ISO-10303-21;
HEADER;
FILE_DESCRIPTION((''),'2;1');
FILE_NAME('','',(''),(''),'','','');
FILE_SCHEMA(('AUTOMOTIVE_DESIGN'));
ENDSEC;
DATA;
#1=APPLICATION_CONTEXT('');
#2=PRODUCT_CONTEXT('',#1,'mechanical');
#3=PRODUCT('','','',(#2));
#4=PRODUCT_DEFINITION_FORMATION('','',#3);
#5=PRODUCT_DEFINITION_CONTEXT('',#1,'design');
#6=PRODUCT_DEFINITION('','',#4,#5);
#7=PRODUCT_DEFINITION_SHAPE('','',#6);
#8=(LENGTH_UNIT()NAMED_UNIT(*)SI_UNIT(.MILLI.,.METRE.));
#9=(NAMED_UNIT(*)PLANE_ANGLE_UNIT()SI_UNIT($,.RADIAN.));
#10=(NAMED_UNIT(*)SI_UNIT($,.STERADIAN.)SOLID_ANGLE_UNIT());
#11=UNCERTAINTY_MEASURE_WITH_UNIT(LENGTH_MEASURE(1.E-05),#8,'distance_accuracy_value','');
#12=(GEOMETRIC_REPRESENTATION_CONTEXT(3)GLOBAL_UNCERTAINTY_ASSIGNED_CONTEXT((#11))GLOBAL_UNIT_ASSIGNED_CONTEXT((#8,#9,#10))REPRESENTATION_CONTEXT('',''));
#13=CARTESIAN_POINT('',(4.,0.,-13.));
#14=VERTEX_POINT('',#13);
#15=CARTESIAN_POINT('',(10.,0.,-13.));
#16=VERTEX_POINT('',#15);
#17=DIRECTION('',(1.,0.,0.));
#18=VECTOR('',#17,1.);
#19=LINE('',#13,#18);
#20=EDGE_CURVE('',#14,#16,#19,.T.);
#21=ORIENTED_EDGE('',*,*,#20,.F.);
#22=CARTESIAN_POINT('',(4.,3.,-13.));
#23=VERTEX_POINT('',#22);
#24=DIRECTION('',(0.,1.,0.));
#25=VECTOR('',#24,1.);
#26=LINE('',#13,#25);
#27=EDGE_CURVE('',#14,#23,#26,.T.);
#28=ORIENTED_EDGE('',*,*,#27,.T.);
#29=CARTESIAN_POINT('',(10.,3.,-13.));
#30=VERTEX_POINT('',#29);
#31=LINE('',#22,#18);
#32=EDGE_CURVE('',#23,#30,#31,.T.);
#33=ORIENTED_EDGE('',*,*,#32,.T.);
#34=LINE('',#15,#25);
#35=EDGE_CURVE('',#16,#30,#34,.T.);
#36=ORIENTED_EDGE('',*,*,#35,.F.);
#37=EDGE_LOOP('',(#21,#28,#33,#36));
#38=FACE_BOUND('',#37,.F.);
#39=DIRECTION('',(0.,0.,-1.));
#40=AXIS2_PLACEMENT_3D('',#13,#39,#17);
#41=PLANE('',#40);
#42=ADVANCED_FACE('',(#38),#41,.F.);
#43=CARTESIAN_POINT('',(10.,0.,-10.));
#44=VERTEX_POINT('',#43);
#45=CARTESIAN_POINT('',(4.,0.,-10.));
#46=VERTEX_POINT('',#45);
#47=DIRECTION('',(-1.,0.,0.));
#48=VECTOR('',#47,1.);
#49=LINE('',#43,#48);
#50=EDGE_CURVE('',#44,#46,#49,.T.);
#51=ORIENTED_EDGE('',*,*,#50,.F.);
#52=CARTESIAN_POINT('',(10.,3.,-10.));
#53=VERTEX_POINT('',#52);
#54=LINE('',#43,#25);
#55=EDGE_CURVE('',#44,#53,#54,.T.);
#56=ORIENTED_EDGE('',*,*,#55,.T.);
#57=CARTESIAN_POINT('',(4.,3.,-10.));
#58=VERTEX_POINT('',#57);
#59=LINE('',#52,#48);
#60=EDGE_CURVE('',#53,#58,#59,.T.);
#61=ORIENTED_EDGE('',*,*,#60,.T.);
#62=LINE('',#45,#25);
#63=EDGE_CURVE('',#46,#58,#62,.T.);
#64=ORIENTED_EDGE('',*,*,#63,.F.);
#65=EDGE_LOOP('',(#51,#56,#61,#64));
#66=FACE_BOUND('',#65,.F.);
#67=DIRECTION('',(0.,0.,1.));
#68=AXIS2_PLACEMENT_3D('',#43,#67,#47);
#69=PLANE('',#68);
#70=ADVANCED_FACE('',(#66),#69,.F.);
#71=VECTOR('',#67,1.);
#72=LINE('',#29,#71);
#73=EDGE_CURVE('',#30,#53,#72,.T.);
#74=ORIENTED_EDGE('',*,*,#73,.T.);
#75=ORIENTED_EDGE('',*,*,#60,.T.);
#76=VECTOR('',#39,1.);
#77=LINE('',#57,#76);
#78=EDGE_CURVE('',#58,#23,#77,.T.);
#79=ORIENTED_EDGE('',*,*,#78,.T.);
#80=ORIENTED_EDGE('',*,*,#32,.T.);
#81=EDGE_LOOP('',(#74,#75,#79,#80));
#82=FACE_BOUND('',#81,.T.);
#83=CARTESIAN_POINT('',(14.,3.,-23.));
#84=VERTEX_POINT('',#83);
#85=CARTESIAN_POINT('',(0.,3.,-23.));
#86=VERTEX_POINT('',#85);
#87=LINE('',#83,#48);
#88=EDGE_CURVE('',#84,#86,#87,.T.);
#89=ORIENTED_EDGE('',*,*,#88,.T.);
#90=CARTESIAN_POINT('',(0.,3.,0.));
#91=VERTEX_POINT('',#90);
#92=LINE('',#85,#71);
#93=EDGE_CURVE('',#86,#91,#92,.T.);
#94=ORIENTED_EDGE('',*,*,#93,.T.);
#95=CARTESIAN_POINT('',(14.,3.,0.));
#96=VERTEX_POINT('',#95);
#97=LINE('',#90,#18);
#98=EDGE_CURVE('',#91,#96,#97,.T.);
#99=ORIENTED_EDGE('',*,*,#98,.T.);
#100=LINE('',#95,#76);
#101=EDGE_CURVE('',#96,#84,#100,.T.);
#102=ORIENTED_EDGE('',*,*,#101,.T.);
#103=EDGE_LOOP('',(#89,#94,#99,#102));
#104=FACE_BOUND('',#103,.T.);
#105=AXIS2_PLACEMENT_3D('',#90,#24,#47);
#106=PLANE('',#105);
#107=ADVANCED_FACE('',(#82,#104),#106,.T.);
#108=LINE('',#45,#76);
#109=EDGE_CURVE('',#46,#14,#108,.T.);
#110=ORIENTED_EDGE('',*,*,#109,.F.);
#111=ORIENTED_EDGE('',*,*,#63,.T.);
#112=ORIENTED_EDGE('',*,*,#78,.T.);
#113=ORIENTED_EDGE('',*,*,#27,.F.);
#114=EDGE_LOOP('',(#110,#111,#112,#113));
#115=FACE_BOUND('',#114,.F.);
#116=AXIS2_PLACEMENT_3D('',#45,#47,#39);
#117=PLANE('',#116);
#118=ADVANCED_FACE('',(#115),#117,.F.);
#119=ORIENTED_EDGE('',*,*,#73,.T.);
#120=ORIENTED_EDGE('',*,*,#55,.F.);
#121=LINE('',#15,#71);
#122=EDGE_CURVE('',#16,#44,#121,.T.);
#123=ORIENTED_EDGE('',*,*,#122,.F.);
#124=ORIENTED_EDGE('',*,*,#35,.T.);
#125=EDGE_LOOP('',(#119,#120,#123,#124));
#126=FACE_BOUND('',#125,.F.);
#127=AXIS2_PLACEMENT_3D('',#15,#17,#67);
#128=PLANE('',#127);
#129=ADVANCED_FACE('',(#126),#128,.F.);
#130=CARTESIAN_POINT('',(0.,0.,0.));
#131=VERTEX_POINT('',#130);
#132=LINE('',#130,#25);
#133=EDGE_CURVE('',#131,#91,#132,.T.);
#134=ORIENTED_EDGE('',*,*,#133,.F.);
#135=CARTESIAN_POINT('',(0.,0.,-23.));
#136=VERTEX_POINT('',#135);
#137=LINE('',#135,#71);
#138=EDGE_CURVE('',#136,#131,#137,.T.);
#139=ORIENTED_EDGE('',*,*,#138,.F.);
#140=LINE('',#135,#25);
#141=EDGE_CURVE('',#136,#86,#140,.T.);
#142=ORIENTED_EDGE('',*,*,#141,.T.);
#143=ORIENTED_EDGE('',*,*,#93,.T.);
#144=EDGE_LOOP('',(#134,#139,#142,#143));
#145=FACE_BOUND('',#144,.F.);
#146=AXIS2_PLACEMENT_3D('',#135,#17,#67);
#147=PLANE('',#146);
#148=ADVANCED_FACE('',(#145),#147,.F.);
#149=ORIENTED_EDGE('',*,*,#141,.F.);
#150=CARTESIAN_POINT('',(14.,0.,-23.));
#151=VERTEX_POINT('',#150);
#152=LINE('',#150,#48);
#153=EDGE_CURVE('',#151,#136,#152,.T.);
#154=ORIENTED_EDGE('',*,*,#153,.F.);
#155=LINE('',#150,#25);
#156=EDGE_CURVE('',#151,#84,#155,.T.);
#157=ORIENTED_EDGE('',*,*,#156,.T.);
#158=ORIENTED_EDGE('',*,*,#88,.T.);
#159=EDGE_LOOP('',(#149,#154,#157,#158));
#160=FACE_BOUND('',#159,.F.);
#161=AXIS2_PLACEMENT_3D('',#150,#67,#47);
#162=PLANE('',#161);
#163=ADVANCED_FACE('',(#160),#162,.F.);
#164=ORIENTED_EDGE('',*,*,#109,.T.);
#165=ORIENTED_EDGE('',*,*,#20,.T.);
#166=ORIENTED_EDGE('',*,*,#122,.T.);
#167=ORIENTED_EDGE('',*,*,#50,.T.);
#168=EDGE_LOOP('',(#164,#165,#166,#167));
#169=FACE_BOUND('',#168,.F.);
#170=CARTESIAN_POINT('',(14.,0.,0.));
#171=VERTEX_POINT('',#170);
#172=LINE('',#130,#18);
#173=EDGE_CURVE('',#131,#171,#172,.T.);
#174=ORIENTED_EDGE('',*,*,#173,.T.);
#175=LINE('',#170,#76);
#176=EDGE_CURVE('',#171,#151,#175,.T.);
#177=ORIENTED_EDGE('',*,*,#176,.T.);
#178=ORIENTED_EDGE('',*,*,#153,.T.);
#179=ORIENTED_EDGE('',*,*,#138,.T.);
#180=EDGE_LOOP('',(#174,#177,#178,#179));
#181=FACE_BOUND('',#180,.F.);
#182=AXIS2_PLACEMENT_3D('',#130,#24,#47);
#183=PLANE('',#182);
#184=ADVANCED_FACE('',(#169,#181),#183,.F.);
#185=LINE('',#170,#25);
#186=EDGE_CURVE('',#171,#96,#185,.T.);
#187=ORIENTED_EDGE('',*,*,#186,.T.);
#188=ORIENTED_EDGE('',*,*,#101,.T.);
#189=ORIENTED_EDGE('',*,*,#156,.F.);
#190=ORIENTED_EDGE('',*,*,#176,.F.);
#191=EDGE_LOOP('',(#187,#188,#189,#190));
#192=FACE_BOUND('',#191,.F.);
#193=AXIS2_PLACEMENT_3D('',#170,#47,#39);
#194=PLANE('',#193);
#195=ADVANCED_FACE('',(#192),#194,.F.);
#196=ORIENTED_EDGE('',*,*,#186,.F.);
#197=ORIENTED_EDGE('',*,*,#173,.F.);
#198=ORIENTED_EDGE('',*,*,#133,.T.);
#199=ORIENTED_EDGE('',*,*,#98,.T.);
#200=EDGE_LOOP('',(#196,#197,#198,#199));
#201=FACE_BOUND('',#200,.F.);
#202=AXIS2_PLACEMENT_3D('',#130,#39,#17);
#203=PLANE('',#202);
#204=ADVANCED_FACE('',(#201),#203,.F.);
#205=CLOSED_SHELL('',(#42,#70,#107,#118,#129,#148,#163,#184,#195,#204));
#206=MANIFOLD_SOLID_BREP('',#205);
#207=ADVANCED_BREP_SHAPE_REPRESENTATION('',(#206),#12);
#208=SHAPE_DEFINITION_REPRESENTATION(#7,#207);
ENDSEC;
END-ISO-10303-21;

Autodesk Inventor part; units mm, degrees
ref_plane "YZ Plane" through (0, 0, 0) normal (1, 0, 0) x (0, 1, 0)
ref_plane "XZ Plane" through (0, 0, 0) normal (0, 1, 0) x (-1, 0, 0)
ref_plane "XY Plane" through (0, 0, 0) normal (0, 0, 1) x (1, 0, 0)
sketch "Sketch1" plane through (0, 0, 0) normal (0, 0, 1) x (1, 0, 0)
  point P0 (0, 0)
sketch "Sketch2" plane through (0, 0, 0) normal (0, 1, 0) x (-1, 0, 0)
  line L0 (0, 0) -> (-14, 0)
  line L1 (-14, 0) -> (-14, -23)
  line L2 (-14, -23) -> (0, -23)
  line L3 (0, -23) -> (0, 0)
  line L4 (-4, -13) -> (-10, -13)
  line L5 (-10, -13) -> (-10, -10)
  line L6 (-10, -10) -> (-4, -10)
  line L7 (-4, -10) -> (-4, -13)
  dimension "d0" = 14
  dimension "d1" = 23
  dimension "d2" = 6
  dimension "d3" = 3
  dimension "d4" = 10
  dimension "d5" = 4
extrude "Extrusion1" add sketch "Sketch2" along normal blind 3
properties part number "OpenROV 2_2 Horizontal Ducting Brace"
